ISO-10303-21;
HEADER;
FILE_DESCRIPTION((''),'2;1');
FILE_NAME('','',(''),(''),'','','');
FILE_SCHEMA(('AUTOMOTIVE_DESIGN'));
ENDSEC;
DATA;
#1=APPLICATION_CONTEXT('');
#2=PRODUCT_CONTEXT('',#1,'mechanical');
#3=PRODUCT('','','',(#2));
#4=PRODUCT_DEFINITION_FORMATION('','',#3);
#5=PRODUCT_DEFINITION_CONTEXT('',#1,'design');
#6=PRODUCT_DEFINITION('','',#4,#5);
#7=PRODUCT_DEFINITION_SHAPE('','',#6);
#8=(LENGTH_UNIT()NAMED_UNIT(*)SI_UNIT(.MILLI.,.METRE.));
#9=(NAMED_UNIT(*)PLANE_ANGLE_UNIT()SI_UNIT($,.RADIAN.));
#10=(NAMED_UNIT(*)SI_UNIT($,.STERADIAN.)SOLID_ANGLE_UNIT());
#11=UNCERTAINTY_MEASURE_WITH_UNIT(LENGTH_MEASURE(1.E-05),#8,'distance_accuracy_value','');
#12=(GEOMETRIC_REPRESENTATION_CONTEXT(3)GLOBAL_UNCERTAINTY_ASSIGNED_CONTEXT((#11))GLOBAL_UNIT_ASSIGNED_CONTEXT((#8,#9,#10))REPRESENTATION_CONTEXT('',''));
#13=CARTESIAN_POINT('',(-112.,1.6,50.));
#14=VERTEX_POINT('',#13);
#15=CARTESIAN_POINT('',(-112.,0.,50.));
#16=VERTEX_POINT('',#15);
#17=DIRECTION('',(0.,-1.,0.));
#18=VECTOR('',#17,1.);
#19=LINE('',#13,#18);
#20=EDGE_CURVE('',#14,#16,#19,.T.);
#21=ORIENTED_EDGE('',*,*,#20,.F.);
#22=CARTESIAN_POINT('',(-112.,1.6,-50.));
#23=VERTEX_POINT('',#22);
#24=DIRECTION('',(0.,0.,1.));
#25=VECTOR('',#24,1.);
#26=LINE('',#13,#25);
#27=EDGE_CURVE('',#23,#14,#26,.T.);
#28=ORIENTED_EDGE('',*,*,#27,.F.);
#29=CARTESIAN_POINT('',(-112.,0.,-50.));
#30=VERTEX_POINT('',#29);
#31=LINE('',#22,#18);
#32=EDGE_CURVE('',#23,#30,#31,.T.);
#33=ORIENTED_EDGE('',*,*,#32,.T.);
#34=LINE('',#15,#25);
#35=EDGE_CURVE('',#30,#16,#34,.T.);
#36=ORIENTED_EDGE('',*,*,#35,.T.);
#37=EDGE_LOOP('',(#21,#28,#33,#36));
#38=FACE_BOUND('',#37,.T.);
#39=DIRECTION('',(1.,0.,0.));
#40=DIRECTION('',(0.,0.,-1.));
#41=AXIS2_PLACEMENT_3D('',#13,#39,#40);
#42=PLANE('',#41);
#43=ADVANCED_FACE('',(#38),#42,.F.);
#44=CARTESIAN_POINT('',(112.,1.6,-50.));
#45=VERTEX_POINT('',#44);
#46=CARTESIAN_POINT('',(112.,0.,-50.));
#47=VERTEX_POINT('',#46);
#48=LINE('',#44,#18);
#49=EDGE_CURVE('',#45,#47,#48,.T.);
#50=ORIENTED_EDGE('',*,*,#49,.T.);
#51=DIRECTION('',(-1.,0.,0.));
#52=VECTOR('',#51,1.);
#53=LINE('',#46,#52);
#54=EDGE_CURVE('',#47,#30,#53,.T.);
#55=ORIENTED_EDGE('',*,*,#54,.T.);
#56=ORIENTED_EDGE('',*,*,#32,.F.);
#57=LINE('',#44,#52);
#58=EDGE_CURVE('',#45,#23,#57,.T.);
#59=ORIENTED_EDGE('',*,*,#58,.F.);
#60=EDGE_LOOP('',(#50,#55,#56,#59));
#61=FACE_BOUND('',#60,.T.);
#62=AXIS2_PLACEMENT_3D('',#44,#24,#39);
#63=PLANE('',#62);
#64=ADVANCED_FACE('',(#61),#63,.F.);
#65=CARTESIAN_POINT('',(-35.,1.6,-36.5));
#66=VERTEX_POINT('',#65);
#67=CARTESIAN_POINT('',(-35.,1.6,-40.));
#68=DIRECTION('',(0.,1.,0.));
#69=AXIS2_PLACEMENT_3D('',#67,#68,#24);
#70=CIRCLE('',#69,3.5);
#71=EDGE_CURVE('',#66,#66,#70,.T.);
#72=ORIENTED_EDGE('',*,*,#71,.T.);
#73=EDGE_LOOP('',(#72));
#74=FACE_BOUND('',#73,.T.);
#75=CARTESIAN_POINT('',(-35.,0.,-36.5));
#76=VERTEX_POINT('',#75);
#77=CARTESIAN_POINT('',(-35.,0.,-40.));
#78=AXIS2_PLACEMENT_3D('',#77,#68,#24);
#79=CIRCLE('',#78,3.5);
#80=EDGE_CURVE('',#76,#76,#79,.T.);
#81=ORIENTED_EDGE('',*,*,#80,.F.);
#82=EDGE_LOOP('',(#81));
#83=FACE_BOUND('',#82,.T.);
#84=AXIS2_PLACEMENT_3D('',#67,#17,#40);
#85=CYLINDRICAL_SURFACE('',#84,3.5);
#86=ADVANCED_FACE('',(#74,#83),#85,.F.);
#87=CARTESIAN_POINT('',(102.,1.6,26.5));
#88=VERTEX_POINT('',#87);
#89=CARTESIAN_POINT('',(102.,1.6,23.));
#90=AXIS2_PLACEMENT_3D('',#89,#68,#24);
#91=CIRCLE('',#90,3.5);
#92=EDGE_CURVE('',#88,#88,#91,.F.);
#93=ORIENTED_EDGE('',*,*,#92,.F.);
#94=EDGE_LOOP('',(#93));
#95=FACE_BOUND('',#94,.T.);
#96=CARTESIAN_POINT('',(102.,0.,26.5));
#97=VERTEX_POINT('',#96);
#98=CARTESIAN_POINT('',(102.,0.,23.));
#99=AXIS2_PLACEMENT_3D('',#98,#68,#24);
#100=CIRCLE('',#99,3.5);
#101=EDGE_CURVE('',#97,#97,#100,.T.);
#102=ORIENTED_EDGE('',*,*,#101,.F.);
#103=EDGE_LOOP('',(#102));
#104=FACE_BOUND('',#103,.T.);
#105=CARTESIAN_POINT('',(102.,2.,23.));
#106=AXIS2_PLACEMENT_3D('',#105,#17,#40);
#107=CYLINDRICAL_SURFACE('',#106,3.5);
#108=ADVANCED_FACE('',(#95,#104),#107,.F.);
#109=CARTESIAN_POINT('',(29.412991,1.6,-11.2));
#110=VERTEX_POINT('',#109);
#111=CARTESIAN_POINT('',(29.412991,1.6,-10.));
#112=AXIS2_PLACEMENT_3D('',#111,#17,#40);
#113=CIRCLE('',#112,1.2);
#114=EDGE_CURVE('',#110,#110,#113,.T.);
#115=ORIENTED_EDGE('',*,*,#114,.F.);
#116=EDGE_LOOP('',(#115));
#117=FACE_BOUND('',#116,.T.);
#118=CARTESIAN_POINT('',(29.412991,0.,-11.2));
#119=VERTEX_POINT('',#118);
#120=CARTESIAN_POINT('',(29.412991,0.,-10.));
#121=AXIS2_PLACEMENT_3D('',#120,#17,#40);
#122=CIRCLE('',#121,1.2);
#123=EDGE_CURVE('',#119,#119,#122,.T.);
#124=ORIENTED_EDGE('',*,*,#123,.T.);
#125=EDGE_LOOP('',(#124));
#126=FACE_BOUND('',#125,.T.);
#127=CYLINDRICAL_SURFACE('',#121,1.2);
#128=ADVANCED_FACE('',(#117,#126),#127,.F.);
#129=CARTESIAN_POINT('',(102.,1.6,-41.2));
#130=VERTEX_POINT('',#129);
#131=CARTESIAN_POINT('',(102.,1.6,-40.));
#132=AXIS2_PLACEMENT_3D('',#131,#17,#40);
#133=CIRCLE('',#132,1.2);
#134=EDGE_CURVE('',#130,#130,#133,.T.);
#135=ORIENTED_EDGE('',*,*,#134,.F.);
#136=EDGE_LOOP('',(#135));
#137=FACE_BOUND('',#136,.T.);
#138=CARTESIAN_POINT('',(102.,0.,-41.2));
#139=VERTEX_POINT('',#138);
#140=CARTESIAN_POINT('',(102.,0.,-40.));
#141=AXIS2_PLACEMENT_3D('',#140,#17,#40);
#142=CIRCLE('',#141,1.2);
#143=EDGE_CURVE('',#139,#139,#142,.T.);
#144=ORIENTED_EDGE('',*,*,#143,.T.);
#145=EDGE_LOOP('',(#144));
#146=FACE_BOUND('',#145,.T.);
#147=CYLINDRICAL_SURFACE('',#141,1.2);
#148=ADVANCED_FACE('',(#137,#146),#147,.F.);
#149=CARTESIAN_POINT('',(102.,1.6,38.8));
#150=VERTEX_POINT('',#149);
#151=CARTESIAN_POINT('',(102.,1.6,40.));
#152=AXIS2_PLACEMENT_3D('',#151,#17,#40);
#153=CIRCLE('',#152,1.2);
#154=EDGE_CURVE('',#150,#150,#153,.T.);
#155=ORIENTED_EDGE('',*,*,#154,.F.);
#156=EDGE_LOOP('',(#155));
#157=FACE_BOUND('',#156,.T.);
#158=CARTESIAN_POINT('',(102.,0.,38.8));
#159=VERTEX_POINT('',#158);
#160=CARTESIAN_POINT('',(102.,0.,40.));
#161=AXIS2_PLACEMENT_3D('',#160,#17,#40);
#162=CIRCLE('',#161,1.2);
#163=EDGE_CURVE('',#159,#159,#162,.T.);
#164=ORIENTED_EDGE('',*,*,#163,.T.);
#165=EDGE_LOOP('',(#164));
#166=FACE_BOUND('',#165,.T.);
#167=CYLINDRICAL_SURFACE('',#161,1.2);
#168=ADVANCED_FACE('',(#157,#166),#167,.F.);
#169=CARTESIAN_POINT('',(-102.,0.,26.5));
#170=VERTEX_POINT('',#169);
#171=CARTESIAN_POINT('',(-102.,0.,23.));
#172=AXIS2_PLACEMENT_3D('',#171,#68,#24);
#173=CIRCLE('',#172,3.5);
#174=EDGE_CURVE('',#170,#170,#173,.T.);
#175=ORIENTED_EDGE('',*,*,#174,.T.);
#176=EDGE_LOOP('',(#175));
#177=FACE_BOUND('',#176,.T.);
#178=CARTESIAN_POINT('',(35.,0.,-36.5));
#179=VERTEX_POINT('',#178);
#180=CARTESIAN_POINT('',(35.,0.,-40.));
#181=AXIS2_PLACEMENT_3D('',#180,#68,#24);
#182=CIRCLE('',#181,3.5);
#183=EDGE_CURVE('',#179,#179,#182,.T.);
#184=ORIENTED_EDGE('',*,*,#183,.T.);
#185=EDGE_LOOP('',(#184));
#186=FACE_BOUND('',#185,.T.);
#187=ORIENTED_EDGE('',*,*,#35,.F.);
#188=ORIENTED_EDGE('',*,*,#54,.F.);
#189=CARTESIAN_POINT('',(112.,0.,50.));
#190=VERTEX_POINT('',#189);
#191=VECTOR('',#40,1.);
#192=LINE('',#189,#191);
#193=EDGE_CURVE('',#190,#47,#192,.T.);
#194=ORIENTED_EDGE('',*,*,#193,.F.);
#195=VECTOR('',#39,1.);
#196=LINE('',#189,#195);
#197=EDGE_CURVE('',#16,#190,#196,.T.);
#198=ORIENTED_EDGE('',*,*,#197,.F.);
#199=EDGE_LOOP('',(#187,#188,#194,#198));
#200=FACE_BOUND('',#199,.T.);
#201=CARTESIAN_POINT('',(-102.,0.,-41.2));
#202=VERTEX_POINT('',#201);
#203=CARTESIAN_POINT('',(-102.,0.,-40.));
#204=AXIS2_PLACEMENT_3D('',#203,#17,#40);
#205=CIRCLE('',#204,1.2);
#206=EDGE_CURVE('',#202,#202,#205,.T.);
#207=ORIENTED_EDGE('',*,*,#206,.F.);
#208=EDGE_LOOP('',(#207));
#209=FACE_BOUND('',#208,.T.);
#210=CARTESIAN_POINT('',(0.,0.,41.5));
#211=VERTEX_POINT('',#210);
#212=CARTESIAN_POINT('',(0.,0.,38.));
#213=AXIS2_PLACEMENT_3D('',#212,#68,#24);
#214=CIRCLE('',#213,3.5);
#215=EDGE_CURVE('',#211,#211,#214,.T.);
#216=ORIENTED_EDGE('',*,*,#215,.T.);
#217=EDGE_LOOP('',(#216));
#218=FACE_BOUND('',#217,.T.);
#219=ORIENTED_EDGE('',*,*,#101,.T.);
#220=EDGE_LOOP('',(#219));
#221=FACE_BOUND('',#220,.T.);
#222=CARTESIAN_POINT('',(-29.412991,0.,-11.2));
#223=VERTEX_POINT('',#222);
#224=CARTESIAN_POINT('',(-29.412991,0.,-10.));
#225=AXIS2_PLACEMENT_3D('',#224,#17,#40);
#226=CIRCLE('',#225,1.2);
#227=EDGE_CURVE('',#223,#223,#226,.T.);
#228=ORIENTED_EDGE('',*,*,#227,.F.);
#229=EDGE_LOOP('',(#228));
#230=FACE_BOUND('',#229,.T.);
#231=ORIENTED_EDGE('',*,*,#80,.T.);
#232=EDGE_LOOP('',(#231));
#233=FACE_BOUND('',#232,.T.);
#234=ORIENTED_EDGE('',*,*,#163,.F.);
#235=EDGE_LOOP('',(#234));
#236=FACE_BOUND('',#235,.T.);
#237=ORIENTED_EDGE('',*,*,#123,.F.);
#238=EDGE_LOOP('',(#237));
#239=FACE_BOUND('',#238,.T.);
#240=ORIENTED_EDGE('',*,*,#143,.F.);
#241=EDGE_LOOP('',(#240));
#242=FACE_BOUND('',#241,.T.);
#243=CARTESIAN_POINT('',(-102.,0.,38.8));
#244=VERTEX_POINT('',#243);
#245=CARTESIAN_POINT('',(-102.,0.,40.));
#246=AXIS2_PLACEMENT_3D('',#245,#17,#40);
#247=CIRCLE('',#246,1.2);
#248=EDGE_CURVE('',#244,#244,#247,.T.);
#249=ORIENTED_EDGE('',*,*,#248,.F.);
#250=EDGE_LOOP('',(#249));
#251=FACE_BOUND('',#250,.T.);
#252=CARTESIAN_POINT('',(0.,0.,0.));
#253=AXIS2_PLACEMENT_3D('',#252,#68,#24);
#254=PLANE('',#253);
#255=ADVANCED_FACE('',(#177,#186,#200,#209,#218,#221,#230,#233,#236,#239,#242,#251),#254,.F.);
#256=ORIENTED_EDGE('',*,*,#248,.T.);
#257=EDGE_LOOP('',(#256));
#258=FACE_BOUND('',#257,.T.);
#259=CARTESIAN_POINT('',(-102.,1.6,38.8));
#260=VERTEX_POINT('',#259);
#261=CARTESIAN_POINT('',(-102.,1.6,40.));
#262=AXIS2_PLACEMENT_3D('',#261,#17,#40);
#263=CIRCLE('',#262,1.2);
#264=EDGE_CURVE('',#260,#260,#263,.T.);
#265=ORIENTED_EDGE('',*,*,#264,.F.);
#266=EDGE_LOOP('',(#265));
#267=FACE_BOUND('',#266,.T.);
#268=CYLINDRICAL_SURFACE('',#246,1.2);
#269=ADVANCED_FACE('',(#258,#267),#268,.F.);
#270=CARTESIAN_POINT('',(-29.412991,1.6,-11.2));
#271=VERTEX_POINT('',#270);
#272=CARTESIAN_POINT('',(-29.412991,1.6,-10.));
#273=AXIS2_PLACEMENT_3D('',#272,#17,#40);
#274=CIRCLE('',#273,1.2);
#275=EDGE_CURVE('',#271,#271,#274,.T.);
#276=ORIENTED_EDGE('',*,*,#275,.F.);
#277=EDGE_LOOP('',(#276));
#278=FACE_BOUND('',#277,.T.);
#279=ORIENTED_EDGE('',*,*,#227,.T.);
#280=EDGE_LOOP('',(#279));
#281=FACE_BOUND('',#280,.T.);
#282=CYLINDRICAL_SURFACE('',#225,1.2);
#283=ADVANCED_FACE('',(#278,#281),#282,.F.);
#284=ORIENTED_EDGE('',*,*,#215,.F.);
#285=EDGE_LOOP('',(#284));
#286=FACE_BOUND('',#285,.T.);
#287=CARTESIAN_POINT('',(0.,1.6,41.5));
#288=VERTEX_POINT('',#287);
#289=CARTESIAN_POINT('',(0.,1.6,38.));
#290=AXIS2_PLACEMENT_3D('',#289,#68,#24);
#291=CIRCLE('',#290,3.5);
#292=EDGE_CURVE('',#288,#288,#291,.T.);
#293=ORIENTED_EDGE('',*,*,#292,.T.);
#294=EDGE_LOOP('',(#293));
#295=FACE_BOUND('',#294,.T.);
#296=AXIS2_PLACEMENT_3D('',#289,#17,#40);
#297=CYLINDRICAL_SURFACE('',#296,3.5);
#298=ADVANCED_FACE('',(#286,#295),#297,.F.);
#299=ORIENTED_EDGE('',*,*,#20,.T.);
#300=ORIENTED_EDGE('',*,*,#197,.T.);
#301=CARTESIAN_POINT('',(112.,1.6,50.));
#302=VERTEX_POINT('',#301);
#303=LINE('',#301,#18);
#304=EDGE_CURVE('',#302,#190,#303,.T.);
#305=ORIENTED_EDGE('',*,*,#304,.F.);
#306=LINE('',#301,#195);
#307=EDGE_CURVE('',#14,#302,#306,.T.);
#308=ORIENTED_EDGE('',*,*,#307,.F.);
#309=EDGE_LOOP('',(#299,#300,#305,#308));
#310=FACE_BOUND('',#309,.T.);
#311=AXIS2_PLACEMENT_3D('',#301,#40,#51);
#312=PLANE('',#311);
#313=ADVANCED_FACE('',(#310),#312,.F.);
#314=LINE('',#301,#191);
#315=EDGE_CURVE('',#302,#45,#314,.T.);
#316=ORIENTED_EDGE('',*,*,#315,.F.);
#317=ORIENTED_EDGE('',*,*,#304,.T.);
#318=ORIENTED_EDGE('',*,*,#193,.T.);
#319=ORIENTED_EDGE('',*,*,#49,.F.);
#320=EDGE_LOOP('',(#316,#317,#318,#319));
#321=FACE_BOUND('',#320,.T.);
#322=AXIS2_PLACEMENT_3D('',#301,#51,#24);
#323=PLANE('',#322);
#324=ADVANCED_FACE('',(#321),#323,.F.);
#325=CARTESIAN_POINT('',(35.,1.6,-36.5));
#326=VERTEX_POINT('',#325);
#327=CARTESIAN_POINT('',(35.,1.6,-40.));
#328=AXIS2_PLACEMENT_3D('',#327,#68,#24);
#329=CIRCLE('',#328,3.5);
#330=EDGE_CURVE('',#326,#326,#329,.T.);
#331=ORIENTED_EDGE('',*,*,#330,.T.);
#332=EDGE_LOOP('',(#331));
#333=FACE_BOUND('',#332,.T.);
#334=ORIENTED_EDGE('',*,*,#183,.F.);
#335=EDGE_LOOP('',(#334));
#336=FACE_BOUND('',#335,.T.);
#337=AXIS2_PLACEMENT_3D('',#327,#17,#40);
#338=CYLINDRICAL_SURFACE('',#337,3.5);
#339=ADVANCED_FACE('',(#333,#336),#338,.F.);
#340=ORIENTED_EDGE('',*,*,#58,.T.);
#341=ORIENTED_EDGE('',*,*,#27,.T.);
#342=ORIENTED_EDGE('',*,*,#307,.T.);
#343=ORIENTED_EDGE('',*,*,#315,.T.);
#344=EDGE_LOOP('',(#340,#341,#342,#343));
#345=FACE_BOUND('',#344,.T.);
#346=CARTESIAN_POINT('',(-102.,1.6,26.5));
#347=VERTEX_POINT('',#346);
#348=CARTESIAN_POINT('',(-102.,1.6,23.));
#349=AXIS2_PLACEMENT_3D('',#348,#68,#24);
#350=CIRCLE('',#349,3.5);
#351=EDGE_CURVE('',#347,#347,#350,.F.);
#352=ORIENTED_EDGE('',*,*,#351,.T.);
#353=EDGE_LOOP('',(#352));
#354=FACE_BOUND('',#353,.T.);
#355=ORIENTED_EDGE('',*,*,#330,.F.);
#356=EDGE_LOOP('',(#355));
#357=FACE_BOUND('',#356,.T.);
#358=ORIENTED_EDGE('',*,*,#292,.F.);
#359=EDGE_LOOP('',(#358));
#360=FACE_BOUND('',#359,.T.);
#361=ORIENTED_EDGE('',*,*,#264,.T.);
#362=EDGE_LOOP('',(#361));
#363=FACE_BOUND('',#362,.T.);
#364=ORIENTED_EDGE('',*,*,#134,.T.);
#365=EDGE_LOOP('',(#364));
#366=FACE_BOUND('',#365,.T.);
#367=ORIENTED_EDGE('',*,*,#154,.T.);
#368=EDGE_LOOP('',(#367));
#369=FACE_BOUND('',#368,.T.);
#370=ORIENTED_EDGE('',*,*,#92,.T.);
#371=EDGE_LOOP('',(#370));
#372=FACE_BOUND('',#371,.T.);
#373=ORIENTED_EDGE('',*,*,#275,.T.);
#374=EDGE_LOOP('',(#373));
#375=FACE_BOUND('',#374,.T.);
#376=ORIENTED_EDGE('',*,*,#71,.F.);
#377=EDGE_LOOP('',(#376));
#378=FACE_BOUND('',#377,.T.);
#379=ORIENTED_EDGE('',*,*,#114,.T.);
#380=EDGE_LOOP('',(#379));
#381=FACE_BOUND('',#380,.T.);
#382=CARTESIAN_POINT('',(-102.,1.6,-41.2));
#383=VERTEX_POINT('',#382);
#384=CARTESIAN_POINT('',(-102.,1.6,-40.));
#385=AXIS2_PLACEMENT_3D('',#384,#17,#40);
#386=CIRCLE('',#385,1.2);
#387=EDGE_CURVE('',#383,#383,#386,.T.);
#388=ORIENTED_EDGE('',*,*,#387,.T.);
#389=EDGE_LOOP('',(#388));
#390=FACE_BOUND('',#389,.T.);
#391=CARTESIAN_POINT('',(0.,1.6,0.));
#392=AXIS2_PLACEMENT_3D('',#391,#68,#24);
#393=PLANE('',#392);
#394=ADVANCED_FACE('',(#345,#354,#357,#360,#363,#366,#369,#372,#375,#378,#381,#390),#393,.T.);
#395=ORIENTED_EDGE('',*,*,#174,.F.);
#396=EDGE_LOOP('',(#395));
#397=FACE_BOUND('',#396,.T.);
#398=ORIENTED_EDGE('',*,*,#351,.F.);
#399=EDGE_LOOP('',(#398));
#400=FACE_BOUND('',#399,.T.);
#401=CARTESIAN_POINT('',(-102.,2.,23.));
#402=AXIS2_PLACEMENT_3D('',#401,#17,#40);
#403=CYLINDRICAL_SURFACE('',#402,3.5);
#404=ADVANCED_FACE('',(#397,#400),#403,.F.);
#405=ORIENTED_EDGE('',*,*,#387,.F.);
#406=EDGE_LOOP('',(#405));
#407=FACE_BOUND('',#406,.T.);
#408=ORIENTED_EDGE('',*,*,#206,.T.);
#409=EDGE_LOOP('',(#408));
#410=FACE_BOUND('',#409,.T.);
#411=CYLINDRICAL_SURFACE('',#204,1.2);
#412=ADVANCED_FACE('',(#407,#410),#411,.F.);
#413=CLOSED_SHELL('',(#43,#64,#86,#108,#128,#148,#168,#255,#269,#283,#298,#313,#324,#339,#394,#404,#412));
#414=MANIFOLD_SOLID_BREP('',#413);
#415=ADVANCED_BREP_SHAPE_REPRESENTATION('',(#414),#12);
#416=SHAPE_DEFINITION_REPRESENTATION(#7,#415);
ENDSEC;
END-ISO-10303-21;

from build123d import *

# Parameters (mm, degrees)
SKETCH1_W            = 224
SKETCH1_H            = 100
BOSS_EXTRUDE1_DEPTH  = 1.6
M2_CLEARANCE_HOLE1_D = 2.4
MIRROR2_COPY_1_D     = 2.4
SKETCH5_R            = 3.5
CUT_EXTRUDE2_DEPTH   = 123.664420269
M2_CLEARANCE_HOLE2_D = 2.4
SKETCH12_R           = 3.5
CUT_EXTRUDE3_DEPTH   = 2


with BuildPart() as part:
    # Sketch1 → Boss-Extrude1 (new body)
    with BuildSketch(Plane(origin=(0, 0, 0), x_dir=(1, 0, 0), z_dir=(0, 1, 0))):
        Rectangle(SKETCH1_W, SKETCH1_H)
    extrude(amount=BOSS_EXTRUDE1_DEPTH)

    # M2 Clearance Hole1 (through all)
    with Locations(Plane.XZ):
        with Locations((-102, -40)):
            m2_clearance_hole1 = Hole(M2_CLEARANCE_HOLE1_D / 2)

    # Mirror1: M2 Clearance Hole1 across plane
    add(m2_clearance_hole1.mirror(Plane(origin=(0, 0, 0), x_dir=(0, 0, 1), z_dir=(1, 0, 0))), mode=Mode.SUBTRACT)

    # Mirror2: M2 Clearance Hole1 across plane
    add(m2_clearance_hole1.mirror(Plane.XY), mode=Mode.SUBTRACT)

    # Mirror2 copy 1 (through all)
    with Locations(Plane(origin=(0, 0, 0), x_dir=(-1, 0, 0), z_dir=(0, -1, 0))):
        with Locations((-102, -40)):
            Hole(MIRROR2_COPY_1_D / 2)

    # Sketch5 → Cut-Extrude2 (cut, through all)
    with BuildSketch(Plane(origin=(0, 0, 0), x_dir=(1, 0, 0), z_dir=(0, 1, 0))):
        with Locations(Location((-35, 40, 0), (0, 0, 270))):
            Circle(SKETCH5_R)
        with Locations(Location((35, 40, 0), (0, 0, 270))):
            Circle(SKETCH5_R)
        with Locations(Location((0, -38, 0), (0, 0, 270))):
            Circle(SKETCH5_R)
    extrude(amount=CUT_EXTRUDE2_DEPTH, mode=Mode.SUBTRACT)

    # M2 Clearance Hole2 (through all)
    with Locations(Plane.XZ):
        with Locations((-102, 23), (-29.412991036, -10), (29.412991036, -10), (102, 23)):
            Hole(M2_CLEARANCE_HOLE2_D / 2)

    # Sketch12 → Cut-Extrude3 (cut)
    with BuildSketch(Plane(origin=(0, 0, 0), x_dir=(1, 0, 0), z_dir=(0, 1, 0))):
        with Locations(Location((-102, -23, 0), (0, 0, 270))):
            Circle(SKETCH12_R)
        with Locations(Location((102, -23, 0), (0, 0, 270))):
            Circle(SKETCH12_R)
    extrude(amount=CUT_EXTRUDE3_DEPTH, mode=Mode.SUBTRACT)


solid = part.part
